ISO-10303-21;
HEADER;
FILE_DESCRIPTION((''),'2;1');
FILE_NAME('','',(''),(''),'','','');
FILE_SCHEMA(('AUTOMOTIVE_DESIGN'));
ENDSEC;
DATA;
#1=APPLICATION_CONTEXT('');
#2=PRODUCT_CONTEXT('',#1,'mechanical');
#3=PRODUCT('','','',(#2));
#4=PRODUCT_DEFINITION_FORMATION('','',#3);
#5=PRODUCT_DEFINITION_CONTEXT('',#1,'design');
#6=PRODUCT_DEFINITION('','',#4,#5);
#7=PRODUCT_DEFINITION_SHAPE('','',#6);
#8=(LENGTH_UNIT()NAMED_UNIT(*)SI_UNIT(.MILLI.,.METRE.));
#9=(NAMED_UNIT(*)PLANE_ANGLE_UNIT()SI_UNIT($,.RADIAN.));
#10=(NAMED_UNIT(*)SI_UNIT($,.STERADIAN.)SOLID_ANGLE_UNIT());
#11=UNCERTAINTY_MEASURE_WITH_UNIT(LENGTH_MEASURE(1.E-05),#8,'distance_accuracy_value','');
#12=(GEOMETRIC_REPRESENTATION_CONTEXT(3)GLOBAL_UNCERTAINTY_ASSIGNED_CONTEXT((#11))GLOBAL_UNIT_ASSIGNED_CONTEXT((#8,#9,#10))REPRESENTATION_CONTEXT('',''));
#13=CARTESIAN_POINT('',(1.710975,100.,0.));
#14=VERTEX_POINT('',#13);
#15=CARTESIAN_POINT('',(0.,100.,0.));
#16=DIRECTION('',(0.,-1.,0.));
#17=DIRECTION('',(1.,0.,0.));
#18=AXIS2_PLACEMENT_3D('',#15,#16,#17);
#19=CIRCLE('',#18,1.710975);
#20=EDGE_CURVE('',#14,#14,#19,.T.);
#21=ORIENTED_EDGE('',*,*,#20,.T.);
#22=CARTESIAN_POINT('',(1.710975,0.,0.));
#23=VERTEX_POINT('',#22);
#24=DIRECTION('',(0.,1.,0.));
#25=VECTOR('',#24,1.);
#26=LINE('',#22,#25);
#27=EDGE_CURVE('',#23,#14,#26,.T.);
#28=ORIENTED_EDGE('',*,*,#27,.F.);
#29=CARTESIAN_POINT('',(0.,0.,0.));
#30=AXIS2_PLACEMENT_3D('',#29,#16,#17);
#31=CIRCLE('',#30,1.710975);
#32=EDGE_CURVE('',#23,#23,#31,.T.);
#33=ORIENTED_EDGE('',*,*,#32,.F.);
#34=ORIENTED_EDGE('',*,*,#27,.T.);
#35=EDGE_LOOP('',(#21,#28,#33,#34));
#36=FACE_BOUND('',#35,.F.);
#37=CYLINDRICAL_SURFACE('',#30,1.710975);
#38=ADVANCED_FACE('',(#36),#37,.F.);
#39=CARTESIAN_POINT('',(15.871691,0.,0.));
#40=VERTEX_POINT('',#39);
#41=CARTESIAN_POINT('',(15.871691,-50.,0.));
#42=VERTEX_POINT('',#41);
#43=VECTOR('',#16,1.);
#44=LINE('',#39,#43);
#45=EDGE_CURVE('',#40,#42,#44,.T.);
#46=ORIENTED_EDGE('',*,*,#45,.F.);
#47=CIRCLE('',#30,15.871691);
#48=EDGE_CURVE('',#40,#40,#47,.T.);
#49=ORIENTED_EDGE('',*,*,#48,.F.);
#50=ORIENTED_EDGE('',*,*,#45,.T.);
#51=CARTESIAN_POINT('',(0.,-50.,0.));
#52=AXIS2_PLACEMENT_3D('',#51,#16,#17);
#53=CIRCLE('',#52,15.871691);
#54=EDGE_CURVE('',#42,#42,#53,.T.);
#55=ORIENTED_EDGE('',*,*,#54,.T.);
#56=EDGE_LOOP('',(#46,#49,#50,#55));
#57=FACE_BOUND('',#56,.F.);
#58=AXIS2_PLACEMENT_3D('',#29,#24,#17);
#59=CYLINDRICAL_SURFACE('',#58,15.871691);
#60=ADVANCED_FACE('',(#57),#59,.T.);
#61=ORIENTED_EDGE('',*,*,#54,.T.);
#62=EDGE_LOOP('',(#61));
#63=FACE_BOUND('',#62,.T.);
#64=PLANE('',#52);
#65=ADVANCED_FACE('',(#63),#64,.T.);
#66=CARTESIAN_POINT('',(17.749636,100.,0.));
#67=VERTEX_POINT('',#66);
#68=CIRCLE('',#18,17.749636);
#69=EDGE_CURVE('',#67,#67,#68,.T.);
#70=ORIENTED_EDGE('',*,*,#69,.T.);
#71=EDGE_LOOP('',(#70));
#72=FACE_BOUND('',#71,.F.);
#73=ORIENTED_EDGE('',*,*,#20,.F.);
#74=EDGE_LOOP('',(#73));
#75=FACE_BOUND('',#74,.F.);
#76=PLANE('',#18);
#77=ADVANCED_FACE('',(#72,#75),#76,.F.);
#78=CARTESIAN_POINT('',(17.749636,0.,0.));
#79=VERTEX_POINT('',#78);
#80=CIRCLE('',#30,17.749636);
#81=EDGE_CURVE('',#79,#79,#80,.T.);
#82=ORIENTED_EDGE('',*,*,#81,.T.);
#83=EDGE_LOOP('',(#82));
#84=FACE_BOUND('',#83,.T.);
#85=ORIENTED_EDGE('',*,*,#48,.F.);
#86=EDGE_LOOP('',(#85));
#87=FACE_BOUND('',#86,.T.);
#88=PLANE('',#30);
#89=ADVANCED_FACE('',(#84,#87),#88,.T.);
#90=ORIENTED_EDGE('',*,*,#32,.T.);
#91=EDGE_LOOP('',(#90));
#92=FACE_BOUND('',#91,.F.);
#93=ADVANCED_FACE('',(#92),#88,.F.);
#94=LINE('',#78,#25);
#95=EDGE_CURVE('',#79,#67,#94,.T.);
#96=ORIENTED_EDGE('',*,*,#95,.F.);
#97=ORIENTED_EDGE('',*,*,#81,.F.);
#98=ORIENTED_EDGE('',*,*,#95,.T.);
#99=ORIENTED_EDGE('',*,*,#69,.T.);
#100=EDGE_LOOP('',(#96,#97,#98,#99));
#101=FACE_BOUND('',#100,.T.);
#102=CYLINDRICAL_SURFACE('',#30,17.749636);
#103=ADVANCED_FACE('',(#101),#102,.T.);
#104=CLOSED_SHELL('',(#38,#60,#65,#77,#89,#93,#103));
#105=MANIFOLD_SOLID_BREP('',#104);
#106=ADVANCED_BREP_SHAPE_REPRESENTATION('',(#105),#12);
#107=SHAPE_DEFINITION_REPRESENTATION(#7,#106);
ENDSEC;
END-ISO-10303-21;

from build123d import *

# Parameters (mm, degrees)
F0_R     = 17.749636
F0_R_2   = 1.710975
F1_DEPTH = 100
F2_R     = 15.871691
F3_DEPTH = 50


with BuildPart() as f1:
    # F0 (on Front) → F1 (new body)
    with BuildSketch(Plane.XZ):
        Circle(F0_R)
        Circle(F0_R_2, mode=Mode.SUBTRACT)
    extrude(amount=-F1_DEPTH)

    # F2 (on Front) → F3 (join)
    with BuildSketch(Plane.XZ):
        Circle(F2_R)
    extrude(amount=F3_DEPTH)


solid = f1.part
